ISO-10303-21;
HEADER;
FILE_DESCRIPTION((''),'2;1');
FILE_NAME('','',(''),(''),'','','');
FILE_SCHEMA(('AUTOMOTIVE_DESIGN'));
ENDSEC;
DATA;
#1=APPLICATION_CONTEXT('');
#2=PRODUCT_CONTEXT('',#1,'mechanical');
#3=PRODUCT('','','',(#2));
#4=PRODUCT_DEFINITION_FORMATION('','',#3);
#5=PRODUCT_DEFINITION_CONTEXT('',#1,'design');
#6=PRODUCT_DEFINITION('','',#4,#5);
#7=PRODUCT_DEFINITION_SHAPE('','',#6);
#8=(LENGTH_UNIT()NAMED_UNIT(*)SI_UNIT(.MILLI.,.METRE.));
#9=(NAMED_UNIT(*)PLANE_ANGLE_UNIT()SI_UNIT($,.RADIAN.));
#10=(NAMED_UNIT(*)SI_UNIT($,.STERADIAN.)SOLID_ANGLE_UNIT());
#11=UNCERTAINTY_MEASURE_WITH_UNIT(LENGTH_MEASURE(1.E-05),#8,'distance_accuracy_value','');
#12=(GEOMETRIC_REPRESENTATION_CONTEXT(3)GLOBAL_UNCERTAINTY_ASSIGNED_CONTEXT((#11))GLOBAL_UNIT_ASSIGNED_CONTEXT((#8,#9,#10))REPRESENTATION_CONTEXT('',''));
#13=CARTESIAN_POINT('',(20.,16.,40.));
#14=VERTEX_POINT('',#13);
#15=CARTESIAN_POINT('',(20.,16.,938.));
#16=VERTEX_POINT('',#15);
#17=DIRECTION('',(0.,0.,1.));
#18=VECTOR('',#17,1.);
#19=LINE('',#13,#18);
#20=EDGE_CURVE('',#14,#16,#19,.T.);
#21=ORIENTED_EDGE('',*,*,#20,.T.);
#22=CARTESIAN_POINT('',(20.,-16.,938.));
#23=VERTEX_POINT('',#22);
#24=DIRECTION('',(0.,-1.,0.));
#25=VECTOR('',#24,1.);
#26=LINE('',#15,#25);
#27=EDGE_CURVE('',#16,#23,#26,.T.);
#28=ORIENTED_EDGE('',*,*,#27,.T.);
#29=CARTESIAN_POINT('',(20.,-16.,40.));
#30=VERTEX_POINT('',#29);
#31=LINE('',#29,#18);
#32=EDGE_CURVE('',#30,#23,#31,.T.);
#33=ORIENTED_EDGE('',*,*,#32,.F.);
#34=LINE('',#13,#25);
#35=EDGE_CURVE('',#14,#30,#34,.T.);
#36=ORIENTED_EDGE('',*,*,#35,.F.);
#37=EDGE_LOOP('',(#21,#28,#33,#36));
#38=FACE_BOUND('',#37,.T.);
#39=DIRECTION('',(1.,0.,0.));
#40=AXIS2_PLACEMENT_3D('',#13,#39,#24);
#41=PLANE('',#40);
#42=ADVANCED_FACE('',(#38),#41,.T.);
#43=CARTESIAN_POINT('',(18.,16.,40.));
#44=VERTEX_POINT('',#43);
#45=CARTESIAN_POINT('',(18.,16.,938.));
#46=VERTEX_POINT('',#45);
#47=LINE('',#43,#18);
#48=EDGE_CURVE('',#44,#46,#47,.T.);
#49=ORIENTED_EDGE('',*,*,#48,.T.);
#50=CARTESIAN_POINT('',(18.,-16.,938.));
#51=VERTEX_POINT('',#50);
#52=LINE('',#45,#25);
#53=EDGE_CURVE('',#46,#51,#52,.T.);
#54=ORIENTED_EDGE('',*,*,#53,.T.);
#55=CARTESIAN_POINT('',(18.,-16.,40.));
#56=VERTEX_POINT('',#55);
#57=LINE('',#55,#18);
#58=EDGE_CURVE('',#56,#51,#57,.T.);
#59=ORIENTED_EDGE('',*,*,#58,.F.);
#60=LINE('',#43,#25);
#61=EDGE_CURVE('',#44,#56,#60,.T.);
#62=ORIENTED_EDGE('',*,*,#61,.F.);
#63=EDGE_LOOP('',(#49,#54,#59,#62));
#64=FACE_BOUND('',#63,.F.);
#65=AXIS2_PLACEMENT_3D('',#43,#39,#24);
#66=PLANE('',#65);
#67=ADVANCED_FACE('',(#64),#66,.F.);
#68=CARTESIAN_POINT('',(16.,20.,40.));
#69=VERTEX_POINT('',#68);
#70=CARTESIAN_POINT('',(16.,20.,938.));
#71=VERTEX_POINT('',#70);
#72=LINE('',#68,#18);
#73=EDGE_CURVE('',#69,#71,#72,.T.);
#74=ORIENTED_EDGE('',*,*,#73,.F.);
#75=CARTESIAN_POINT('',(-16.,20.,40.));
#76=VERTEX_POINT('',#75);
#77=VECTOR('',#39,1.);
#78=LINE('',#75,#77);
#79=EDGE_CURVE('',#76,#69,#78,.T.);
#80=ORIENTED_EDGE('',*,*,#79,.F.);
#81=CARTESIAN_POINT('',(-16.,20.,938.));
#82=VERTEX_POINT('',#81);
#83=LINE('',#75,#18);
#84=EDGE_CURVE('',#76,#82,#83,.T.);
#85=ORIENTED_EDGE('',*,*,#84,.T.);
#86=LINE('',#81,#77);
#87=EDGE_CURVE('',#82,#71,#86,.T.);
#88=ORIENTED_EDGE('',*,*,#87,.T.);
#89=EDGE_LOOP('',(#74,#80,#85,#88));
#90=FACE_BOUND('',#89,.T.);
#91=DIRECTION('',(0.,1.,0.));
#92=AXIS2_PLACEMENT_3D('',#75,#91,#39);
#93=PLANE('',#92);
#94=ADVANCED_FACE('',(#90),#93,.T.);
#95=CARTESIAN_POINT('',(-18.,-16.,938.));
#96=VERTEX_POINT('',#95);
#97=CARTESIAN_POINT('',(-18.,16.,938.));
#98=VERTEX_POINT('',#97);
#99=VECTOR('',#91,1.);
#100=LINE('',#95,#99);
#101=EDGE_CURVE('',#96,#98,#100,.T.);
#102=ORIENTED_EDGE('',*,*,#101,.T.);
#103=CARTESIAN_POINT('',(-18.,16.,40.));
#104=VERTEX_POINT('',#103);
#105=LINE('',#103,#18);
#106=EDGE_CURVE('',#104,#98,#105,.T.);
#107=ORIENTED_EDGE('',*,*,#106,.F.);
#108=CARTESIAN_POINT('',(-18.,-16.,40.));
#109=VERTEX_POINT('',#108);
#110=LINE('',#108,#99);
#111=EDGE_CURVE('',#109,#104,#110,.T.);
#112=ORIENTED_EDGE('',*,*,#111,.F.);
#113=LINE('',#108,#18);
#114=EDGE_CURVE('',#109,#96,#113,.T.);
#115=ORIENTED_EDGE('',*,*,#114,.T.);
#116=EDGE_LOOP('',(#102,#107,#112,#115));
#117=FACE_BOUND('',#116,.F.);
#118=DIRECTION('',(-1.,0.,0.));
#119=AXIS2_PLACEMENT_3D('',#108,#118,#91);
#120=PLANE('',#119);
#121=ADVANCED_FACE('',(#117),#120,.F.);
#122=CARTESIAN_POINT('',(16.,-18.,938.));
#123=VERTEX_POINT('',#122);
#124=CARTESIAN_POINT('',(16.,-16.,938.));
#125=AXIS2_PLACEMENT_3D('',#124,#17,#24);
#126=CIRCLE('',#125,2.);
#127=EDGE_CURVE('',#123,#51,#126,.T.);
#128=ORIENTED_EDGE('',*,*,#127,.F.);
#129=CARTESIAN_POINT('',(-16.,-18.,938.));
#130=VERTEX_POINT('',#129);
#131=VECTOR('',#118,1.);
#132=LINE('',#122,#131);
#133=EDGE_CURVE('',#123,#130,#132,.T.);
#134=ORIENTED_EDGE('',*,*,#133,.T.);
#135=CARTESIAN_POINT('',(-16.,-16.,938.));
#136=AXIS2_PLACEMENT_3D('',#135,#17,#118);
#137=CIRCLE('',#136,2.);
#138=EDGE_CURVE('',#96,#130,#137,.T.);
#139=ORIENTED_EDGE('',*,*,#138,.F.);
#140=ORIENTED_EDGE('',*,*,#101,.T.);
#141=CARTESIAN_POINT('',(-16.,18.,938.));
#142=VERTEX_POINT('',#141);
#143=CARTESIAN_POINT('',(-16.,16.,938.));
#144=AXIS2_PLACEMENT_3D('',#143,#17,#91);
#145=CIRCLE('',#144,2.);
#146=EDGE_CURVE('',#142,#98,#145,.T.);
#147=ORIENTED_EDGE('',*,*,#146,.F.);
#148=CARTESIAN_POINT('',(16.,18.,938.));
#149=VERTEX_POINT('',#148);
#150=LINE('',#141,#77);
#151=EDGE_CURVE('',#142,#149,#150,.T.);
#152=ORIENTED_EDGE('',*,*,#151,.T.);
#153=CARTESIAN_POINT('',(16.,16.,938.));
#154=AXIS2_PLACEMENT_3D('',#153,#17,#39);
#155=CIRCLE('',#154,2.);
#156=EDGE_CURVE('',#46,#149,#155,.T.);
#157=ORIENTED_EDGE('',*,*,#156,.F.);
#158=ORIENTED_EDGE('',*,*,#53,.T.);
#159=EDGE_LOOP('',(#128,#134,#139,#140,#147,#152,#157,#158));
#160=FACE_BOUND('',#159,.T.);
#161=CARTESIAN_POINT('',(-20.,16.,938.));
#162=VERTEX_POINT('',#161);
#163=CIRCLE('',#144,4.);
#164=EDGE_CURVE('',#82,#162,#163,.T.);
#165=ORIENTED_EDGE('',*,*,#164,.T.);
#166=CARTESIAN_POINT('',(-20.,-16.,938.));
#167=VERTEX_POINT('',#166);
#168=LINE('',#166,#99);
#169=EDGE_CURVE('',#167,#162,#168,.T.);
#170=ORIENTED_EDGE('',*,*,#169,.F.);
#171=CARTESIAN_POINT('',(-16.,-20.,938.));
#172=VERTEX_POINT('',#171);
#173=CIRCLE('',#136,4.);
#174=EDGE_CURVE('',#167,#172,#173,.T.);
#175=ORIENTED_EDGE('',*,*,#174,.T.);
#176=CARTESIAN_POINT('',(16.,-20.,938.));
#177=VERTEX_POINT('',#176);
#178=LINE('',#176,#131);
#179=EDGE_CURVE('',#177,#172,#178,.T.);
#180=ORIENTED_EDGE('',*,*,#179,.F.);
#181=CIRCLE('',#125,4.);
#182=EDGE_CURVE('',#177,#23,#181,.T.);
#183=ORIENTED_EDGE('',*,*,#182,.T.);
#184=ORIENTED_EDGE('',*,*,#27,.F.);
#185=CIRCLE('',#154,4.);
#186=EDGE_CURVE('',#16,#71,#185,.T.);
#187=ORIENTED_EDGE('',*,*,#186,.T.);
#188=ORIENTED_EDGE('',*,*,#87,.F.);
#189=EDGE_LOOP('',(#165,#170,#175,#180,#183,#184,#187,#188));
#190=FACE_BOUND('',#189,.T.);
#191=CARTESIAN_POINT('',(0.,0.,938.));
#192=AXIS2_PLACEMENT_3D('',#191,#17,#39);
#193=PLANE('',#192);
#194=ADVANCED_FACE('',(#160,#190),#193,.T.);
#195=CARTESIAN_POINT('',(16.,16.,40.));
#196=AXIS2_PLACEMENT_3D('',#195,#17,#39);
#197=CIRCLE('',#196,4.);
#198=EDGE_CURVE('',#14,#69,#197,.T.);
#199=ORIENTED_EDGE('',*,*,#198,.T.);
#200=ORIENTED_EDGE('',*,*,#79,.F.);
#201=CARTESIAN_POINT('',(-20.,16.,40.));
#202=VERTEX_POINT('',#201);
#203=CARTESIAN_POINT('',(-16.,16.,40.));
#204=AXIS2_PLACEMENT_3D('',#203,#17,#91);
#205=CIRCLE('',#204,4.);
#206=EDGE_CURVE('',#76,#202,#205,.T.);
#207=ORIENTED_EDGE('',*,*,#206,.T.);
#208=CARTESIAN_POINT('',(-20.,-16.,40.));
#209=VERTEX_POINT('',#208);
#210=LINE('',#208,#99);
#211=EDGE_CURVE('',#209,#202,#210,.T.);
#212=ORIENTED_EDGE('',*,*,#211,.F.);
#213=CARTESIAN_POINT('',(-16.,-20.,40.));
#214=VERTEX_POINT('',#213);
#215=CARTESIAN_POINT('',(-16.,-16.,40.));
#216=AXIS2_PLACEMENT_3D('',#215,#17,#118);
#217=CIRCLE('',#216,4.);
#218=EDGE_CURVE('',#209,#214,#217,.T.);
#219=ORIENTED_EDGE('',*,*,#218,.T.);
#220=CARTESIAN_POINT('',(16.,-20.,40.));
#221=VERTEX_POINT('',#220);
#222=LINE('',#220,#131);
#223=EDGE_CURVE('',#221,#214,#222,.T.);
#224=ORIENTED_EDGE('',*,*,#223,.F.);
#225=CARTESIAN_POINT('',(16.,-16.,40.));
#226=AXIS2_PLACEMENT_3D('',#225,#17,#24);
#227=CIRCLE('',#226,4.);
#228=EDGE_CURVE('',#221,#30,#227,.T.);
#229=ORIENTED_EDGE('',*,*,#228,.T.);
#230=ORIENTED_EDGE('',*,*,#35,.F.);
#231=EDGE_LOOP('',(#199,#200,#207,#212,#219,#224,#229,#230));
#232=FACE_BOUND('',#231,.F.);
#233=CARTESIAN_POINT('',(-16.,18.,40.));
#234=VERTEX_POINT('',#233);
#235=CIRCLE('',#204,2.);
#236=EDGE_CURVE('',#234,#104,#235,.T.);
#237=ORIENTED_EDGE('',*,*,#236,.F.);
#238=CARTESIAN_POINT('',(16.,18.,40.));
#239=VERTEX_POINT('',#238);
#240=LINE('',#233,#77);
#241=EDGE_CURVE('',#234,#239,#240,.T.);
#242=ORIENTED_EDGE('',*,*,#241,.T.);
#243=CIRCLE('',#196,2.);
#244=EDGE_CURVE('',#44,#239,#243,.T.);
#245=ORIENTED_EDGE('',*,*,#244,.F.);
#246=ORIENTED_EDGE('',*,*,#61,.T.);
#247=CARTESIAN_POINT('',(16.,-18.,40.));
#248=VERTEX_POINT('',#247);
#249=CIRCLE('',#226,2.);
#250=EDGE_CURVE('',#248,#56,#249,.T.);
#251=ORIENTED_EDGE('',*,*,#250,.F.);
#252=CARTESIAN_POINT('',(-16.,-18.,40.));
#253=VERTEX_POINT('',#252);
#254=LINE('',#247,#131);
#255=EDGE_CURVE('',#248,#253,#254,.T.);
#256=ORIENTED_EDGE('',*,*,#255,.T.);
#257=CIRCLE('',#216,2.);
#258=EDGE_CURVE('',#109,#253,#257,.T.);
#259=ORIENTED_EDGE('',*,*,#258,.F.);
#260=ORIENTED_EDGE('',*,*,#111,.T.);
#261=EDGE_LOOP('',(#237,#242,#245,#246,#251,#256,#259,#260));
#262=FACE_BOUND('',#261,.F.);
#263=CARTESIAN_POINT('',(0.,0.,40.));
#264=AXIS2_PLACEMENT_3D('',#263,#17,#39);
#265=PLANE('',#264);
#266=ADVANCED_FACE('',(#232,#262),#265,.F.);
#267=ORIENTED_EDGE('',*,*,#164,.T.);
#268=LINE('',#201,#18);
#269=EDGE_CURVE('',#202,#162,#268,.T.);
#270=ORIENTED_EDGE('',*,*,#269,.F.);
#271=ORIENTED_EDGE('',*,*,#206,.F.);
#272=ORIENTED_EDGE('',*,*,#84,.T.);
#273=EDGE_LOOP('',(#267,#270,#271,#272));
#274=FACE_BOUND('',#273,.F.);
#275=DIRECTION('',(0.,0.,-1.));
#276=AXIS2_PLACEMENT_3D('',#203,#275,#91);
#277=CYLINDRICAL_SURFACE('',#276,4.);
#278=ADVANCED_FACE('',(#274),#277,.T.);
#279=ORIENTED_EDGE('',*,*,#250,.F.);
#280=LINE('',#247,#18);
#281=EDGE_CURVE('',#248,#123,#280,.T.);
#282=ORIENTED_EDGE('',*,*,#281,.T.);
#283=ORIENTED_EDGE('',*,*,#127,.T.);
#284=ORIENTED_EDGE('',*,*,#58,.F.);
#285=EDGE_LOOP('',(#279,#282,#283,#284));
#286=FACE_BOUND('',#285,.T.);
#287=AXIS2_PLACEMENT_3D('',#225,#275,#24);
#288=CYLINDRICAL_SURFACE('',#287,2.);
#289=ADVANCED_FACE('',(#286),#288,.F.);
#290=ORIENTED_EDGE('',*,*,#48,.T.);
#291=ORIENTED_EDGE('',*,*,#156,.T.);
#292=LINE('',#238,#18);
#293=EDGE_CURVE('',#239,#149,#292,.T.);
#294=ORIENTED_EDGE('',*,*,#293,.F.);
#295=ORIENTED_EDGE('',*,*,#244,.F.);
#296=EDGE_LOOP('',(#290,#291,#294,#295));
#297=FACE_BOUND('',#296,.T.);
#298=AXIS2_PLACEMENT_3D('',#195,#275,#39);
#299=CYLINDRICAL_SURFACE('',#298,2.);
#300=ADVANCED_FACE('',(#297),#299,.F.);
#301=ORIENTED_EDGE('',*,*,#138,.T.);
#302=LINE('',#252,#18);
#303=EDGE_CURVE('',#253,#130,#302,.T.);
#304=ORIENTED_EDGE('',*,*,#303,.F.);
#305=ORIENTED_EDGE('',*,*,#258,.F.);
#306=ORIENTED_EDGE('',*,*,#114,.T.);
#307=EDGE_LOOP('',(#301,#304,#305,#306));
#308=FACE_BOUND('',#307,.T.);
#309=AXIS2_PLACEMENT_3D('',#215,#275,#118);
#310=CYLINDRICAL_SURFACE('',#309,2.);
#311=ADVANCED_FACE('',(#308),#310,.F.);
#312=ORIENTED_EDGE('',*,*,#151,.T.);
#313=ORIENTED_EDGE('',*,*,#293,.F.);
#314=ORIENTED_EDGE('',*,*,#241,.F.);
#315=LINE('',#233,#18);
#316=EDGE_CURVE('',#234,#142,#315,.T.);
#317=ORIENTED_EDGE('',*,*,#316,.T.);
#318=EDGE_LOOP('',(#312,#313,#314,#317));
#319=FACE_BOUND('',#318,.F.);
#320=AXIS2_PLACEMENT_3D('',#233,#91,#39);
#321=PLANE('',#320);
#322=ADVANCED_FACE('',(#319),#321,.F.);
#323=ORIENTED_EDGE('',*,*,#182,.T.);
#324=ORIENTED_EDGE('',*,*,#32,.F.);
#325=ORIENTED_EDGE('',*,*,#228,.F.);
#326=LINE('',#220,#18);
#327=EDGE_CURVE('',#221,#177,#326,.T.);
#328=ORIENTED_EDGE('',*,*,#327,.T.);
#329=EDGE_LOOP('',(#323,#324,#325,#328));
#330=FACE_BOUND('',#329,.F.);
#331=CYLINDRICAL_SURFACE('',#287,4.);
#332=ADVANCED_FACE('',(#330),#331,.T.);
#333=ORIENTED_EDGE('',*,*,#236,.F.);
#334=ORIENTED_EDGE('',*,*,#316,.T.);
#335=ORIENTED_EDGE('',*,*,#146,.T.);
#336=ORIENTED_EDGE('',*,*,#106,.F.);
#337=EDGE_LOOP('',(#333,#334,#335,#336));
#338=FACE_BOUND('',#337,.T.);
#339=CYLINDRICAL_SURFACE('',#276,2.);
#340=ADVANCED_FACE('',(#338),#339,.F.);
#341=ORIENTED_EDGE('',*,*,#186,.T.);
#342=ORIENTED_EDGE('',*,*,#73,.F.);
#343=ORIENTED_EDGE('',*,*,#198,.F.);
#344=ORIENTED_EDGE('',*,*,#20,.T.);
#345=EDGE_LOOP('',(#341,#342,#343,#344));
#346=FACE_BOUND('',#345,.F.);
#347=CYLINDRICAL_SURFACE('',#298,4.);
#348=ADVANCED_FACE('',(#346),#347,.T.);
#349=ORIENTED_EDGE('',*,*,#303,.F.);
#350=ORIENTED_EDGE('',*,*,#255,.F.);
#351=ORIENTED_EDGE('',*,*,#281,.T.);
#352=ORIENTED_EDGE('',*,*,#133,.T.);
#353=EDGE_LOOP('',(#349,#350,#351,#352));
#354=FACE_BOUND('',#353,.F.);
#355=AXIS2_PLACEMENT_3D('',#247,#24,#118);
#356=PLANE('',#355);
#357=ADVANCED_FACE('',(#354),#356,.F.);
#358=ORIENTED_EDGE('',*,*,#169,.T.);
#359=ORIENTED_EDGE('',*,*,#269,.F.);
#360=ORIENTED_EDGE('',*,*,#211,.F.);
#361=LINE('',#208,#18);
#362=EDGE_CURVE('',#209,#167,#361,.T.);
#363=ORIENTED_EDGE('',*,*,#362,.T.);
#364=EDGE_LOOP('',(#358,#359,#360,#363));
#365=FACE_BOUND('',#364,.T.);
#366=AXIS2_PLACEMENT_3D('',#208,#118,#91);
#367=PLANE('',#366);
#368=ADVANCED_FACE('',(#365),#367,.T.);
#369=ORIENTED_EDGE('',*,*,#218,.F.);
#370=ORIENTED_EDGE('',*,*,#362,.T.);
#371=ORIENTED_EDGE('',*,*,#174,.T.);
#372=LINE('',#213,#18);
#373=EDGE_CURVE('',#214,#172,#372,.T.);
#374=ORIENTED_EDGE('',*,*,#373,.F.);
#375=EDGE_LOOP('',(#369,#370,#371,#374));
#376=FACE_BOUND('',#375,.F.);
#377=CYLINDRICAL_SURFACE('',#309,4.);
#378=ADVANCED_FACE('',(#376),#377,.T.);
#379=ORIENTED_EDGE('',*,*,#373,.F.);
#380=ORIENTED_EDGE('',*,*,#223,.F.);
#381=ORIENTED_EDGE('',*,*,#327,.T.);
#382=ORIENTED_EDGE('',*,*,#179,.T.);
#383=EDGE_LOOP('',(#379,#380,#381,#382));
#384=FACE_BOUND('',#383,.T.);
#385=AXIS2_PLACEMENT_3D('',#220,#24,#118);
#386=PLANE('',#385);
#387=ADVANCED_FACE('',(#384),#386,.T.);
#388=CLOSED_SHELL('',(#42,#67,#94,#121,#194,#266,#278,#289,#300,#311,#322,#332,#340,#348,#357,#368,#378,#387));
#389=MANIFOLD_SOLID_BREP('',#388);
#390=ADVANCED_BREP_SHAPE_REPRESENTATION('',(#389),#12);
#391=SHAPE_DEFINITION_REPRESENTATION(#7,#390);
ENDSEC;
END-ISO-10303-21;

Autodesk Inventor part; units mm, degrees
ref_plane "YZ Plane" through (0, 0, 0) normal (1, 0, 0) x (0, 1, 0)
ref_plane "Start Plane" through (0, 0, 40) normal (0, 0, 1) x (1, 0, 0)
ref_plane "End Plane" through (0, 0, 938) normal (0, 0, 1) x (1, 0, 0)
sketch "Sketch" plane through (0, 0, 0) normal (0, 0, 1) x (1, 0, 0)
  line L0 (-20, -16) -> (-20, 16)
  line L1 (-16, 20) -> (16, 20)
  line L2 (20, 16) -> (20, -16)
  line L3 (16, -20) -> (-16, -20)
  arc A0 (-20, -16) -> (-16, -20) centre (-16, -16) ccw
  arc A1 (20, 16) -> (16, 20) centre (16, 16) ccw
  arc A2 (-16, 20) -> (-20, 16) centre (-16, 16) ccw
  arc A3 (16, -20) -> (20, -16) centre (16, -16) ccw
  arc A4 (-16, 18) -> (-18, 16) centre (-16, 16) ccw
  line L4 (-16, 18) -> (16, 18)
  arc A5 (18, 16) -> (16, 18) centre (16, 16) ccw
  line L5 (18, 16) -> (18, -16)
  arc A6 (16, -18) -> (18, -16) centre (16, -16) ccw
  line L6 (16, -18) -> (-16, -18)
  arc A7 (-18, -16) -> (-16, -18) centre (-16, -16) ccw
  line L7 (-18, -16) -> (-18, 16)
  line L8 (0, 29.1598) -> (0, -29.1598) construction
  line L9 (-29.1598, 0) -> (29.1598, 0) construction
  dimension "d7" = 4
  dimension "d9" = 40
  dimension "d11" = 40
  dimension "d12" = 2
  dimension "d15" = 20
  dimension "d16" = 20
extrude "Body" add sketch "Sketch" along normal up to surface (898 mm away) from surface at 40
sketch "Sketch3" plane through (0, 0, 0) normal (0, 0, 1) x (1, 0, 0)
  line L0 (0, 0) -> (10, 0)
ref_plane "Work Plane3" through (0, 0, 0) normal (0, -1, 0) x (1, 0, 0)
sketch "Sketch4" plane through (0, 0, 0) normal (0, -1, 0) x (1, 0, 0)
  line L0 (-2, 40) -> (12, 40) projected
  line L1 (-2, 938) -> (12, 938) projected
  dimension "d18" = 898
equation "\"d7\" = G_IR"
equation "\"d9\" = G_W"
equation "\"d11\" = G_H"
equation "\"d12\" = G_T"
equation "\"d15\" = 0.5 * d9"
equation "\"d16\" = 0.5 * d11"
equation "\"d3\" = G_L"
equation "\"G_W\" = 40"
equation "\"G_H\" = 40"
equation "\"G_T\" = 2"
equation "\"G_IR\" = 4"
equation "\"G_L\" = d18"
equation "\"G_OFFSET_END\" = 0"
equation "\"d14\" = G_OFFSET_END + B_L"
equation "\"B_L\" = 938"
properties part number "ISO 4019 - 40x40x2 - 898" material "Steel, Mild"
